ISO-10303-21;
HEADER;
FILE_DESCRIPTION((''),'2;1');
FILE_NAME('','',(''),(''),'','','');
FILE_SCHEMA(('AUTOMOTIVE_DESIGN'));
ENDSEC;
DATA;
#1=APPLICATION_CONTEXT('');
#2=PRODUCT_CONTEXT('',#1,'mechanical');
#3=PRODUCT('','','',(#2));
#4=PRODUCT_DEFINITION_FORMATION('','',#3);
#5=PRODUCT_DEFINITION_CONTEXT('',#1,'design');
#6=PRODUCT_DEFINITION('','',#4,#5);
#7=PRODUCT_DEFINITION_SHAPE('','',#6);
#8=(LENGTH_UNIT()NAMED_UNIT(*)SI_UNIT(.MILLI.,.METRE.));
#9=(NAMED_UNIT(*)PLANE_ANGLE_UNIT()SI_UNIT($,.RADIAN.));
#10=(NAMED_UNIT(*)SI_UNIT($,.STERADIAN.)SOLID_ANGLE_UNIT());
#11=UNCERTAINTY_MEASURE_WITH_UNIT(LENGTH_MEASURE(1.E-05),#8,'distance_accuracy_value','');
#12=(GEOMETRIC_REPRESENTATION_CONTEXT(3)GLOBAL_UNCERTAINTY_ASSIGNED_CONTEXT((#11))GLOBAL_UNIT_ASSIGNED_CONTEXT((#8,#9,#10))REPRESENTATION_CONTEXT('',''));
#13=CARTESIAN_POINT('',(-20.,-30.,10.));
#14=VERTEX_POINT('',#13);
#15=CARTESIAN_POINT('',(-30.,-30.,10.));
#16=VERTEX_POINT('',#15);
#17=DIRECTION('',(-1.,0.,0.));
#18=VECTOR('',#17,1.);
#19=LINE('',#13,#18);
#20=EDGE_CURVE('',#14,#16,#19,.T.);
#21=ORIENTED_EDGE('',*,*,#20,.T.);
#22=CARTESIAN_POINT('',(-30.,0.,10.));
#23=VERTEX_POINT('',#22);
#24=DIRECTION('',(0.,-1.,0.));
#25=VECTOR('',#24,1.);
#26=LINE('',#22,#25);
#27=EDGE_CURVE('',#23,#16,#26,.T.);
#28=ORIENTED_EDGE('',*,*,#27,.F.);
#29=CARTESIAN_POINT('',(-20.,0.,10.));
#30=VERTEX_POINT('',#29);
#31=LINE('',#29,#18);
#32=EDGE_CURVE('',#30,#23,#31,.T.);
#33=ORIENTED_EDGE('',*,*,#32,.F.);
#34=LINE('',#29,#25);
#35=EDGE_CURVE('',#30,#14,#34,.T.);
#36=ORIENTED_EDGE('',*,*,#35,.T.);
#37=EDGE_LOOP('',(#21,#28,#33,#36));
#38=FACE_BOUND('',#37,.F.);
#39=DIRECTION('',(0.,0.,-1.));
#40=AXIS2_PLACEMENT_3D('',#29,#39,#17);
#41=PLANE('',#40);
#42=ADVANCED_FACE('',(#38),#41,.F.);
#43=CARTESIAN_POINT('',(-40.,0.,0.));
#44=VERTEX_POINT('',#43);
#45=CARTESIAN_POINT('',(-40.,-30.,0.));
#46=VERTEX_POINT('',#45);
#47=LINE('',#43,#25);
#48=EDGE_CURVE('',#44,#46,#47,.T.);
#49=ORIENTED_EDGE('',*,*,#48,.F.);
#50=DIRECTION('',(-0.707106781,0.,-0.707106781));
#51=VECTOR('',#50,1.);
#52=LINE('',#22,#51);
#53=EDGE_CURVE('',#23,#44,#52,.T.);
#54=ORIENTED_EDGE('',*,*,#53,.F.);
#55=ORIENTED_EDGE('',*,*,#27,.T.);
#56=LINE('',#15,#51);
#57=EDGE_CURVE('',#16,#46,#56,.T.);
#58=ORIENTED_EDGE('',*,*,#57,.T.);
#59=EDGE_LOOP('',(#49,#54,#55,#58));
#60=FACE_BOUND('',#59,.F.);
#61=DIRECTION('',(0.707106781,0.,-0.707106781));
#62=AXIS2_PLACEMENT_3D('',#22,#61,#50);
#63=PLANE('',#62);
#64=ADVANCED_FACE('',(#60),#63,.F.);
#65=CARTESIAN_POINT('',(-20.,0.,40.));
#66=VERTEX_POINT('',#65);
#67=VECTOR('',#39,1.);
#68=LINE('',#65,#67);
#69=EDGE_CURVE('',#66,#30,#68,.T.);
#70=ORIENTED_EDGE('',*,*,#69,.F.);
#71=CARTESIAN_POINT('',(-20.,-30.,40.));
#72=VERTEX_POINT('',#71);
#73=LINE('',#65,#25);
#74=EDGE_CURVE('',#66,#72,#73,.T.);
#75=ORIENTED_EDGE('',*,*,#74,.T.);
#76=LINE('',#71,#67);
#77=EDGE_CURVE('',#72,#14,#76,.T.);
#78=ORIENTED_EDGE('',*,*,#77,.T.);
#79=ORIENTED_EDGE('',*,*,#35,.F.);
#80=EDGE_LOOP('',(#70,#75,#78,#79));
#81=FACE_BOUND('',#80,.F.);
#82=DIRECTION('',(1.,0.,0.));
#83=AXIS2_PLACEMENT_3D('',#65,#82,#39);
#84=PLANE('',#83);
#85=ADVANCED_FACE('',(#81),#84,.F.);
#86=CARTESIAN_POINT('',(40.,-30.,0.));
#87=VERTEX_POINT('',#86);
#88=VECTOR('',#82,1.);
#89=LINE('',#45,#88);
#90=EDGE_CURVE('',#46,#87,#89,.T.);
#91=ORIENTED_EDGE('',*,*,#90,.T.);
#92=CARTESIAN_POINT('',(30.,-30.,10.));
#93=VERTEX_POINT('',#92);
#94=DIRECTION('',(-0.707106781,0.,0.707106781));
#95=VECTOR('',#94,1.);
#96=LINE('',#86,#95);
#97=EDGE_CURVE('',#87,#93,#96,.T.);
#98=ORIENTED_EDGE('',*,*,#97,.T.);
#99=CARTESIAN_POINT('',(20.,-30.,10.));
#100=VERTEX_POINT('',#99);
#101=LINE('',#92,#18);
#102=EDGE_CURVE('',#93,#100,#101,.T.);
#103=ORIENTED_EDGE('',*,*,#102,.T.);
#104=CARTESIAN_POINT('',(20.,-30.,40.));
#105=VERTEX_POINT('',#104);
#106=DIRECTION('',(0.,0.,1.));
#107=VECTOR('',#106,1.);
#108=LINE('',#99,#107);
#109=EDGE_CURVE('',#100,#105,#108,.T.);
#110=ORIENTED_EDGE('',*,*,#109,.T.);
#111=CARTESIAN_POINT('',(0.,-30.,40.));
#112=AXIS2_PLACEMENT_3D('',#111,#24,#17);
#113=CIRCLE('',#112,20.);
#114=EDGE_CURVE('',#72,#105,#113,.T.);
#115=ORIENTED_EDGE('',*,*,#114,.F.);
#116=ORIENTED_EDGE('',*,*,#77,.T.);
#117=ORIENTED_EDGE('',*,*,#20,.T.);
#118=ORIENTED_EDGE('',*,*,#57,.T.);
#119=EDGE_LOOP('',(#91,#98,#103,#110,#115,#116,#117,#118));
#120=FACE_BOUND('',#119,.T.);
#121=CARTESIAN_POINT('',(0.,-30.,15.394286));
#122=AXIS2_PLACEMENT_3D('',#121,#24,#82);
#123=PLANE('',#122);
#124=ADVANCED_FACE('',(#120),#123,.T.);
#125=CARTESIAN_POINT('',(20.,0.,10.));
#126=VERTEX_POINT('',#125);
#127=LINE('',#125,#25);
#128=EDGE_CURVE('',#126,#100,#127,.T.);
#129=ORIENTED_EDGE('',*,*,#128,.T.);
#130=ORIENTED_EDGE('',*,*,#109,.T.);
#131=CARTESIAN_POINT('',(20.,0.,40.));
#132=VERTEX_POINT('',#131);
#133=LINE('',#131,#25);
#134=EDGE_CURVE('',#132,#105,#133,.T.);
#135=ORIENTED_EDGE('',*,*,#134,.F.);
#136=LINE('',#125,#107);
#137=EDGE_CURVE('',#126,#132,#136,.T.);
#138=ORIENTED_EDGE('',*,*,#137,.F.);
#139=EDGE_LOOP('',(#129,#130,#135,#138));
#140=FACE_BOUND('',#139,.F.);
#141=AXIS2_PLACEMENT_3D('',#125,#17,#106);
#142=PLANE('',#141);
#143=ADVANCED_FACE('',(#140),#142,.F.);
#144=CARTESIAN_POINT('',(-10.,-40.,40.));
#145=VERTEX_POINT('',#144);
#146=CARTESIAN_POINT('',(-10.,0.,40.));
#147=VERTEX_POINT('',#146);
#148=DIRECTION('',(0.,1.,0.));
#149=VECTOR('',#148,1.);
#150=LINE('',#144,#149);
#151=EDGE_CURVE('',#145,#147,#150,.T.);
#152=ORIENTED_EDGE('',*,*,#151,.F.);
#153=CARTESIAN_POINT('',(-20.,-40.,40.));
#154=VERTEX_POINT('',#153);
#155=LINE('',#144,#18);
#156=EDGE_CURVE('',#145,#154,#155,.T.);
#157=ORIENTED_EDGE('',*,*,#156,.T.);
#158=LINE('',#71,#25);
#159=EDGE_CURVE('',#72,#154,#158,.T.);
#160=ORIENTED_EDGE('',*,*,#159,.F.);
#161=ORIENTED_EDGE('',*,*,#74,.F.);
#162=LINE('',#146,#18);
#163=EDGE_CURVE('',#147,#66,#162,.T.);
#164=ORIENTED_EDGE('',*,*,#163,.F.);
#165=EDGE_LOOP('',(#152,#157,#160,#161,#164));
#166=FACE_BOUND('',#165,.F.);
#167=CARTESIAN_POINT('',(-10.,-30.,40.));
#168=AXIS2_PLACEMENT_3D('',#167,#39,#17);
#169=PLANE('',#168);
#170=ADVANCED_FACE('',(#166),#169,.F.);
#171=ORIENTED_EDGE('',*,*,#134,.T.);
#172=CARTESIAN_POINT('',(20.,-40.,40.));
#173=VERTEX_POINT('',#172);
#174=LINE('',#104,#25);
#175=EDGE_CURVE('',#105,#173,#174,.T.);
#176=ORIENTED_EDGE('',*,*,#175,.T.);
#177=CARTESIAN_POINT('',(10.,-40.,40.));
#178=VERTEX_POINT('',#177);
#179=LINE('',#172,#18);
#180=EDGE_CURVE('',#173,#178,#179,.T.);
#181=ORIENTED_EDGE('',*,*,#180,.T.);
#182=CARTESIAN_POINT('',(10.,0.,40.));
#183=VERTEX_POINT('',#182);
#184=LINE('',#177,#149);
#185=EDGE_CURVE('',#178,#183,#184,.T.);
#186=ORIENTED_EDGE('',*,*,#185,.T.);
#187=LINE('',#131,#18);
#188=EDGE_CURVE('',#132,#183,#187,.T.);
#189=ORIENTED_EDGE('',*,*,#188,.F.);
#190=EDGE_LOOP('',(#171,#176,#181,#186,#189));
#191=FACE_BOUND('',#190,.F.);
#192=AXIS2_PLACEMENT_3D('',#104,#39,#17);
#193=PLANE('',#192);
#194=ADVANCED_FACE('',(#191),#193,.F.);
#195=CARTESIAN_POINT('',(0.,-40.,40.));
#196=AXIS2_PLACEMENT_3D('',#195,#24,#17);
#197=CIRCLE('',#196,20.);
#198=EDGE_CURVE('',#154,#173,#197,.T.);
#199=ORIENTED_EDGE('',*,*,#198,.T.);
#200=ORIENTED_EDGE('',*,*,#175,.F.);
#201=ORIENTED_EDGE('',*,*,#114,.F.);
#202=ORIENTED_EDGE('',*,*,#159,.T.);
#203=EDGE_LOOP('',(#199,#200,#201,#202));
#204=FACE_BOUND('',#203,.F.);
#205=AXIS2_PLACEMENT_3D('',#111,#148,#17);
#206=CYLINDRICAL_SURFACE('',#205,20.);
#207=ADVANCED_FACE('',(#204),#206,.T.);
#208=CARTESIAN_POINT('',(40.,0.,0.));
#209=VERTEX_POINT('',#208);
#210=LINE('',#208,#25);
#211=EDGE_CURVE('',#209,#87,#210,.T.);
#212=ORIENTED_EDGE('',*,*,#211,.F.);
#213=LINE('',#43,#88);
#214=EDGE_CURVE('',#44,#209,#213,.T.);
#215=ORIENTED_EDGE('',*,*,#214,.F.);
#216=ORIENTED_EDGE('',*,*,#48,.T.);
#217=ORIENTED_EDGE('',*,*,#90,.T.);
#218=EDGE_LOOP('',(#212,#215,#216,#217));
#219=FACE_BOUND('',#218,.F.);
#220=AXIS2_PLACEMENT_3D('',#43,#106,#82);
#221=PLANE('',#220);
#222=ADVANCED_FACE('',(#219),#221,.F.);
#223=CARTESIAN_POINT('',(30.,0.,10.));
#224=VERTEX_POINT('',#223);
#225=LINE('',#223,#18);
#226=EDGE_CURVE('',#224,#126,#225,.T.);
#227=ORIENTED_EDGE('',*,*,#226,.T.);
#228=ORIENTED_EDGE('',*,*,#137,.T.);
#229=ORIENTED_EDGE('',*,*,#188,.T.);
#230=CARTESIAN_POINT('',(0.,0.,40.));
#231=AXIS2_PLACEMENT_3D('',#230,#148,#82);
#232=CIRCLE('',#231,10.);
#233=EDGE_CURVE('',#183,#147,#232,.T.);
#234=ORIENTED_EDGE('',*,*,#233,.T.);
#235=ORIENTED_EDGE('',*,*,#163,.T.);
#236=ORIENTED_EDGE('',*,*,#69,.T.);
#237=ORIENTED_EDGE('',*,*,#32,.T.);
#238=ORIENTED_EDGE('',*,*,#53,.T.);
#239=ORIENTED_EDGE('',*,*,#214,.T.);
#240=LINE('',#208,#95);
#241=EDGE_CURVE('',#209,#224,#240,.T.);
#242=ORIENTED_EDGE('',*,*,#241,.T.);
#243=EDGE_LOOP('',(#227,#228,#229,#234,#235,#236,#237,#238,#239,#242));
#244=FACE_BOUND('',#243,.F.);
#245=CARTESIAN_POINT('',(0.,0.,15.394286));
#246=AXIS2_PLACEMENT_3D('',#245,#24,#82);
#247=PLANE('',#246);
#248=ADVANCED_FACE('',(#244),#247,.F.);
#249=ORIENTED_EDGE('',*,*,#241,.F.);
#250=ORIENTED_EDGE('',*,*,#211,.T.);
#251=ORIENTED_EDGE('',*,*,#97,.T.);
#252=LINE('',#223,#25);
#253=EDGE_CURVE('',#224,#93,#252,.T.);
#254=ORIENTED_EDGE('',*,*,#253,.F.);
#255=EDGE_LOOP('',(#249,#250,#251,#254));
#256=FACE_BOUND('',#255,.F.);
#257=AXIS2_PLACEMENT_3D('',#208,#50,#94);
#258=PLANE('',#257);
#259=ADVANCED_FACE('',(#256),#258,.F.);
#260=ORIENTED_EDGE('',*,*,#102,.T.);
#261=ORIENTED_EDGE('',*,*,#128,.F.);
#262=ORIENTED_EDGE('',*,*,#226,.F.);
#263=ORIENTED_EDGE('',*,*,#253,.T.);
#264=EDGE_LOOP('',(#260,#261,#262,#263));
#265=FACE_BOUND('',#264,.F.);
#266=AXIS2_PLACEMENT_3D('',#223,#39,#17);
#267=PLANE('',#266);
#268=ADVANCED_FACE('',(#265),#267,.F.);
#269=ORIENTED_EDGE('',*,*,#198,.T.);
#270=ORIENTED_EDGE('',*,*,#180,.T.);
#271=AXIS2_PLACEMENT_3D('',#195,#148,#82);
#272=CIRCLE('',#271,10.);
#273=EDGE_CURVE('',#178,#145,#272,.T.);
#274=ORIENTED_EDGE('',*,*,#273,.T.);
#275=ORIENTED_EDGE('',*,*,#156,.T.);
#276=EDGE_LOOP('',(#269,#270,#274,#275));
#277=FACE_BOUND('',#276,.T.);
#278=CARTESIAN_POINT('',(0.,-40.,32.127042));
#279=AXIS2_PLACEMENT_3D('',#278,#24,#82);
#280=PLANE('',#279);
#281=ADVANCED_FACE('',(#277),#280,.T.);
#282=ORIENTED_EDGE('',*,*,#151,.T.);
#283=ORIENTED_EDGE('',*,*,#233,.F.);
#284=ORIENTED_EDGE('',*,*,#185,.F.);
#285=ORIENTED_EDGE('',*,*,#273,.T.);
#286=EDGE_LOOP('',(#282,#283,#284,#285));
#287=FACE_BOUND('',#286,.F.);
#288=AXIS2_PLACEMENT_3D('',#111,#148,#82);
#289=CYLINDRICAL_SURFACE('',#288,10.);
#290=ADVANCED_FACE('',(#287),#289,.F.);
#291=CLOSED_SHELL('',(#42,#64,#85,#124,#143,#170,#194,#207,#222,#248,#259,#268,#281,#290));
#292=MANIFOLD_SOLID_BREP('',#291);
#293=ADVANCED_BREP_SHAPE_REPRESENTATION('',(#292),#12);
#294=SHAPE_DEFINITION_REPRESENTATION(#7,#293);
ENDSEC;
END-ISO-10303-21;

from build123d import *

# Parameters (mm, degrees)
F1_DEPTH = 30
F3_DEPTH = 10


with BuildPart() as f1:
    # F0 (on Front) → F1 (new body)
    with BuildSketch(Plane.XZ):
        with BuildLine():
            Line((-30, 10), (-40, 0))
            Line((-40, 0), (40, 0))
            Line((40, 0), (30, 10))
            Line((30, 10), (20, 10))
            Line((20, 10), (20, 40))
            Line((20, 40), (10, 40))
            ThreePointArc((10, 40), (0, 30), (-10, 40))
            Line((-10, 40), (-20, 40))
            Line((-20, 40), (-20, 10))
            Line((-20, 10), (-30, 10))
        make_face()
    extrude(amount=F1_DEPTH)

    # F2 (on face) → F3 (join)
    with BuildSketch(Plane.XZ.offset(30)):
        with BuildLine():
            Line((-10, 40), (-20, 40))
            ThreePointArc((-20, 40), (0, 20), (20, 40))
            Line((20, 40), (10, 40))
            ThreePointArc((10, 40), (0, 30), (-10, 40))
        make_face()
    extrude(amount=F3_DEPTH)


solid = f1.part
